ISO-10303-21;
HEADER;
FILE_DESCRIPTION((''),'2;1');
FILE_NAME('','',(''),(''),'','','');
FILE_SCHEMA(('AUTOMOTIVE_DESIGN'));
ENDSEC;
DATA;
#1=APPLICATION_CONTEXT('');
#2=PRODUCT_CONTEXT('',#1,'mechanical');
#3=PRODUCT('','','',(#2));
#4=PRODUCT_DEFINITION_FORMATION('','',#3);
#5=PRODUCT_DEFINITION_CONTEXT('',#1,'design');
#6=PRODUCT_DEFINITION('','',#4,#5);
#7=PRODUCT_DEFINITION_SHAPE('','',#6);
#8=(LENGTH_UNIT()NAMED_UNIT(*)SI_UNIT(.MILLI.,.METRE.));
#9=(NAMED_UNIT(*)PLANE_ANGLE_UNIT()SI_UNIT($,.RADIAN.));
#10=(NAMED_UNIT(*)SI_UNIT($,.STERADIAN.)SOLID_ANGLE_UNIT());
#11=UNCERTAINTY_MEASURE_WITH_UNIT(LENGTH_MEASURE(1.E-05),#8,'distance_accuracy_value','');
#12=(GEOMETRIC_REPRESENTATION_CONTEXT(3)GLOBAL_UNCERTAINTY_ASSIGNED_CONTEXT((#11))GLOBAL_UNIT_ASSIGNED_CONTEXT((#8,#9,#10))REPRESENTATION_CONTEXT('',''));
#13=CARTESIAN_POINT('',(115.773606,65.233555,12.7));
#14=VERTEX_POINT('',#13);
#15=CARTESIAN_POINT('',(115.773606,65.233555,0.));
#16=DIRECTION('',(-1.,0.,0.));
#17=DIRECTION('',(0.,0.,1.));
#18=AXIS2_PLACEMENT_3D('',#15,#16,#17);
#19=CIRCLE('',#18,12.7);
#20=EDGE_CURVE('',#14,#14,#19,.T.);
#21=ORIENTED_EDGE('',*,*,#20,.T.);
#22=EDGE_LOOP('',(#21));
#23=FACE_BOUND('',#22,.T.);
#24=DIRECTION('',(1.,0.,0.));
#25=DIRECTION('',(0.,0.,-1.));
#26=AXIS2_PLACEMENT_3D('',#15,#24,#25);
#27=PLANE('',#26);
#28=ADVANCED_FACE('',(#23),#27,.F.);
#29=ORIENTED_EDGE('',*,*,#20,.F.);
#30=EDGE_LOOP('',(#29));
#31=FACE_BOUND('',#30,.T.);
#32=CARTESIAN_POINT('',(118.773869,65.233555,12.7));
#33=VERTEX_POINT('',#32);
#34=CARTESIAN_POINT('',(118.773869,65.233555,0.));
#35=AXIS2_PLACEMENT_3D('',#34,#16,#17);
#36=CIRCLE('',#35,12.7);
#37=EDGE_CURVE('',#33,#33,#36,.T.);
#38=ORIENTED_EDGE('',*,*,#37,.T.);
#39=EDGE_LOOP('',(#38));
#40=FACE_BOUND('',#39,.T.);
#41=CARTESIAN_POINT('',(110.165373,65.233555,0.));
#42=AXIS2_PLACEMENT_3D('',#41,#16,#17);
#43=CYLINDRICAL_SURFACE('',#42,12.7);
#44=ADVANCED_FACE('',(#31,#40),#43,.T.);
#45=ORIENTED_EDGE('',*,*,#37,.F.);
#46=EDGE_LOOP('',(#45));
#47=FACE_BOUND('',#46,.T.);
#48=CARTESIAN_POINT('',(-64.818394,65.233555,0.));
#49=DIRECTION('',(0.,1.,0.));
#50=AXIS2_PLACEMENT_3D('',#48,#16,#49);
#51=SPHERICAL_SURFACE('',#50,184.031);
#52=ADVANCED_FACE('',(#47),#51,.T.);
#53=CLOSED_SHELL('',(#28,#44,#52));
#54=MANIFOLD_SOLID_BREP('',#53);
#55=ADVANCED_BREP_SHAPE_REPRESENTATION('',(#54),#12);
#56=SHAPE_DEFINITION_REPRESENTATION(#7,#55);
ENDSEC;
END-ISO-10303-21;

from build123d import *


with BuildPart() as part:
    # 草图1 → 旋转1 (revolve)
    with BuildSketch(Plane.XY):
        with BuildLine():
            Line((115.773606431, 65.233554926), (115.773606431, 77.933554926))
            Line((115.773606431, 77.933554926), (118.773869233, 77.933554926))
            ThreePointArc((118.773869233, 77.933554926), (119.102889426, 71.587342976), (119.212606431, 65.233554926))
            Line((119.212606431, 65.233554926), (115.773606431, 65.233554926))
        make_face()
    revolve(axis=Axis((110.165373228, 65.233554926, 0), (1, 0, 0)))


solid = part.part
